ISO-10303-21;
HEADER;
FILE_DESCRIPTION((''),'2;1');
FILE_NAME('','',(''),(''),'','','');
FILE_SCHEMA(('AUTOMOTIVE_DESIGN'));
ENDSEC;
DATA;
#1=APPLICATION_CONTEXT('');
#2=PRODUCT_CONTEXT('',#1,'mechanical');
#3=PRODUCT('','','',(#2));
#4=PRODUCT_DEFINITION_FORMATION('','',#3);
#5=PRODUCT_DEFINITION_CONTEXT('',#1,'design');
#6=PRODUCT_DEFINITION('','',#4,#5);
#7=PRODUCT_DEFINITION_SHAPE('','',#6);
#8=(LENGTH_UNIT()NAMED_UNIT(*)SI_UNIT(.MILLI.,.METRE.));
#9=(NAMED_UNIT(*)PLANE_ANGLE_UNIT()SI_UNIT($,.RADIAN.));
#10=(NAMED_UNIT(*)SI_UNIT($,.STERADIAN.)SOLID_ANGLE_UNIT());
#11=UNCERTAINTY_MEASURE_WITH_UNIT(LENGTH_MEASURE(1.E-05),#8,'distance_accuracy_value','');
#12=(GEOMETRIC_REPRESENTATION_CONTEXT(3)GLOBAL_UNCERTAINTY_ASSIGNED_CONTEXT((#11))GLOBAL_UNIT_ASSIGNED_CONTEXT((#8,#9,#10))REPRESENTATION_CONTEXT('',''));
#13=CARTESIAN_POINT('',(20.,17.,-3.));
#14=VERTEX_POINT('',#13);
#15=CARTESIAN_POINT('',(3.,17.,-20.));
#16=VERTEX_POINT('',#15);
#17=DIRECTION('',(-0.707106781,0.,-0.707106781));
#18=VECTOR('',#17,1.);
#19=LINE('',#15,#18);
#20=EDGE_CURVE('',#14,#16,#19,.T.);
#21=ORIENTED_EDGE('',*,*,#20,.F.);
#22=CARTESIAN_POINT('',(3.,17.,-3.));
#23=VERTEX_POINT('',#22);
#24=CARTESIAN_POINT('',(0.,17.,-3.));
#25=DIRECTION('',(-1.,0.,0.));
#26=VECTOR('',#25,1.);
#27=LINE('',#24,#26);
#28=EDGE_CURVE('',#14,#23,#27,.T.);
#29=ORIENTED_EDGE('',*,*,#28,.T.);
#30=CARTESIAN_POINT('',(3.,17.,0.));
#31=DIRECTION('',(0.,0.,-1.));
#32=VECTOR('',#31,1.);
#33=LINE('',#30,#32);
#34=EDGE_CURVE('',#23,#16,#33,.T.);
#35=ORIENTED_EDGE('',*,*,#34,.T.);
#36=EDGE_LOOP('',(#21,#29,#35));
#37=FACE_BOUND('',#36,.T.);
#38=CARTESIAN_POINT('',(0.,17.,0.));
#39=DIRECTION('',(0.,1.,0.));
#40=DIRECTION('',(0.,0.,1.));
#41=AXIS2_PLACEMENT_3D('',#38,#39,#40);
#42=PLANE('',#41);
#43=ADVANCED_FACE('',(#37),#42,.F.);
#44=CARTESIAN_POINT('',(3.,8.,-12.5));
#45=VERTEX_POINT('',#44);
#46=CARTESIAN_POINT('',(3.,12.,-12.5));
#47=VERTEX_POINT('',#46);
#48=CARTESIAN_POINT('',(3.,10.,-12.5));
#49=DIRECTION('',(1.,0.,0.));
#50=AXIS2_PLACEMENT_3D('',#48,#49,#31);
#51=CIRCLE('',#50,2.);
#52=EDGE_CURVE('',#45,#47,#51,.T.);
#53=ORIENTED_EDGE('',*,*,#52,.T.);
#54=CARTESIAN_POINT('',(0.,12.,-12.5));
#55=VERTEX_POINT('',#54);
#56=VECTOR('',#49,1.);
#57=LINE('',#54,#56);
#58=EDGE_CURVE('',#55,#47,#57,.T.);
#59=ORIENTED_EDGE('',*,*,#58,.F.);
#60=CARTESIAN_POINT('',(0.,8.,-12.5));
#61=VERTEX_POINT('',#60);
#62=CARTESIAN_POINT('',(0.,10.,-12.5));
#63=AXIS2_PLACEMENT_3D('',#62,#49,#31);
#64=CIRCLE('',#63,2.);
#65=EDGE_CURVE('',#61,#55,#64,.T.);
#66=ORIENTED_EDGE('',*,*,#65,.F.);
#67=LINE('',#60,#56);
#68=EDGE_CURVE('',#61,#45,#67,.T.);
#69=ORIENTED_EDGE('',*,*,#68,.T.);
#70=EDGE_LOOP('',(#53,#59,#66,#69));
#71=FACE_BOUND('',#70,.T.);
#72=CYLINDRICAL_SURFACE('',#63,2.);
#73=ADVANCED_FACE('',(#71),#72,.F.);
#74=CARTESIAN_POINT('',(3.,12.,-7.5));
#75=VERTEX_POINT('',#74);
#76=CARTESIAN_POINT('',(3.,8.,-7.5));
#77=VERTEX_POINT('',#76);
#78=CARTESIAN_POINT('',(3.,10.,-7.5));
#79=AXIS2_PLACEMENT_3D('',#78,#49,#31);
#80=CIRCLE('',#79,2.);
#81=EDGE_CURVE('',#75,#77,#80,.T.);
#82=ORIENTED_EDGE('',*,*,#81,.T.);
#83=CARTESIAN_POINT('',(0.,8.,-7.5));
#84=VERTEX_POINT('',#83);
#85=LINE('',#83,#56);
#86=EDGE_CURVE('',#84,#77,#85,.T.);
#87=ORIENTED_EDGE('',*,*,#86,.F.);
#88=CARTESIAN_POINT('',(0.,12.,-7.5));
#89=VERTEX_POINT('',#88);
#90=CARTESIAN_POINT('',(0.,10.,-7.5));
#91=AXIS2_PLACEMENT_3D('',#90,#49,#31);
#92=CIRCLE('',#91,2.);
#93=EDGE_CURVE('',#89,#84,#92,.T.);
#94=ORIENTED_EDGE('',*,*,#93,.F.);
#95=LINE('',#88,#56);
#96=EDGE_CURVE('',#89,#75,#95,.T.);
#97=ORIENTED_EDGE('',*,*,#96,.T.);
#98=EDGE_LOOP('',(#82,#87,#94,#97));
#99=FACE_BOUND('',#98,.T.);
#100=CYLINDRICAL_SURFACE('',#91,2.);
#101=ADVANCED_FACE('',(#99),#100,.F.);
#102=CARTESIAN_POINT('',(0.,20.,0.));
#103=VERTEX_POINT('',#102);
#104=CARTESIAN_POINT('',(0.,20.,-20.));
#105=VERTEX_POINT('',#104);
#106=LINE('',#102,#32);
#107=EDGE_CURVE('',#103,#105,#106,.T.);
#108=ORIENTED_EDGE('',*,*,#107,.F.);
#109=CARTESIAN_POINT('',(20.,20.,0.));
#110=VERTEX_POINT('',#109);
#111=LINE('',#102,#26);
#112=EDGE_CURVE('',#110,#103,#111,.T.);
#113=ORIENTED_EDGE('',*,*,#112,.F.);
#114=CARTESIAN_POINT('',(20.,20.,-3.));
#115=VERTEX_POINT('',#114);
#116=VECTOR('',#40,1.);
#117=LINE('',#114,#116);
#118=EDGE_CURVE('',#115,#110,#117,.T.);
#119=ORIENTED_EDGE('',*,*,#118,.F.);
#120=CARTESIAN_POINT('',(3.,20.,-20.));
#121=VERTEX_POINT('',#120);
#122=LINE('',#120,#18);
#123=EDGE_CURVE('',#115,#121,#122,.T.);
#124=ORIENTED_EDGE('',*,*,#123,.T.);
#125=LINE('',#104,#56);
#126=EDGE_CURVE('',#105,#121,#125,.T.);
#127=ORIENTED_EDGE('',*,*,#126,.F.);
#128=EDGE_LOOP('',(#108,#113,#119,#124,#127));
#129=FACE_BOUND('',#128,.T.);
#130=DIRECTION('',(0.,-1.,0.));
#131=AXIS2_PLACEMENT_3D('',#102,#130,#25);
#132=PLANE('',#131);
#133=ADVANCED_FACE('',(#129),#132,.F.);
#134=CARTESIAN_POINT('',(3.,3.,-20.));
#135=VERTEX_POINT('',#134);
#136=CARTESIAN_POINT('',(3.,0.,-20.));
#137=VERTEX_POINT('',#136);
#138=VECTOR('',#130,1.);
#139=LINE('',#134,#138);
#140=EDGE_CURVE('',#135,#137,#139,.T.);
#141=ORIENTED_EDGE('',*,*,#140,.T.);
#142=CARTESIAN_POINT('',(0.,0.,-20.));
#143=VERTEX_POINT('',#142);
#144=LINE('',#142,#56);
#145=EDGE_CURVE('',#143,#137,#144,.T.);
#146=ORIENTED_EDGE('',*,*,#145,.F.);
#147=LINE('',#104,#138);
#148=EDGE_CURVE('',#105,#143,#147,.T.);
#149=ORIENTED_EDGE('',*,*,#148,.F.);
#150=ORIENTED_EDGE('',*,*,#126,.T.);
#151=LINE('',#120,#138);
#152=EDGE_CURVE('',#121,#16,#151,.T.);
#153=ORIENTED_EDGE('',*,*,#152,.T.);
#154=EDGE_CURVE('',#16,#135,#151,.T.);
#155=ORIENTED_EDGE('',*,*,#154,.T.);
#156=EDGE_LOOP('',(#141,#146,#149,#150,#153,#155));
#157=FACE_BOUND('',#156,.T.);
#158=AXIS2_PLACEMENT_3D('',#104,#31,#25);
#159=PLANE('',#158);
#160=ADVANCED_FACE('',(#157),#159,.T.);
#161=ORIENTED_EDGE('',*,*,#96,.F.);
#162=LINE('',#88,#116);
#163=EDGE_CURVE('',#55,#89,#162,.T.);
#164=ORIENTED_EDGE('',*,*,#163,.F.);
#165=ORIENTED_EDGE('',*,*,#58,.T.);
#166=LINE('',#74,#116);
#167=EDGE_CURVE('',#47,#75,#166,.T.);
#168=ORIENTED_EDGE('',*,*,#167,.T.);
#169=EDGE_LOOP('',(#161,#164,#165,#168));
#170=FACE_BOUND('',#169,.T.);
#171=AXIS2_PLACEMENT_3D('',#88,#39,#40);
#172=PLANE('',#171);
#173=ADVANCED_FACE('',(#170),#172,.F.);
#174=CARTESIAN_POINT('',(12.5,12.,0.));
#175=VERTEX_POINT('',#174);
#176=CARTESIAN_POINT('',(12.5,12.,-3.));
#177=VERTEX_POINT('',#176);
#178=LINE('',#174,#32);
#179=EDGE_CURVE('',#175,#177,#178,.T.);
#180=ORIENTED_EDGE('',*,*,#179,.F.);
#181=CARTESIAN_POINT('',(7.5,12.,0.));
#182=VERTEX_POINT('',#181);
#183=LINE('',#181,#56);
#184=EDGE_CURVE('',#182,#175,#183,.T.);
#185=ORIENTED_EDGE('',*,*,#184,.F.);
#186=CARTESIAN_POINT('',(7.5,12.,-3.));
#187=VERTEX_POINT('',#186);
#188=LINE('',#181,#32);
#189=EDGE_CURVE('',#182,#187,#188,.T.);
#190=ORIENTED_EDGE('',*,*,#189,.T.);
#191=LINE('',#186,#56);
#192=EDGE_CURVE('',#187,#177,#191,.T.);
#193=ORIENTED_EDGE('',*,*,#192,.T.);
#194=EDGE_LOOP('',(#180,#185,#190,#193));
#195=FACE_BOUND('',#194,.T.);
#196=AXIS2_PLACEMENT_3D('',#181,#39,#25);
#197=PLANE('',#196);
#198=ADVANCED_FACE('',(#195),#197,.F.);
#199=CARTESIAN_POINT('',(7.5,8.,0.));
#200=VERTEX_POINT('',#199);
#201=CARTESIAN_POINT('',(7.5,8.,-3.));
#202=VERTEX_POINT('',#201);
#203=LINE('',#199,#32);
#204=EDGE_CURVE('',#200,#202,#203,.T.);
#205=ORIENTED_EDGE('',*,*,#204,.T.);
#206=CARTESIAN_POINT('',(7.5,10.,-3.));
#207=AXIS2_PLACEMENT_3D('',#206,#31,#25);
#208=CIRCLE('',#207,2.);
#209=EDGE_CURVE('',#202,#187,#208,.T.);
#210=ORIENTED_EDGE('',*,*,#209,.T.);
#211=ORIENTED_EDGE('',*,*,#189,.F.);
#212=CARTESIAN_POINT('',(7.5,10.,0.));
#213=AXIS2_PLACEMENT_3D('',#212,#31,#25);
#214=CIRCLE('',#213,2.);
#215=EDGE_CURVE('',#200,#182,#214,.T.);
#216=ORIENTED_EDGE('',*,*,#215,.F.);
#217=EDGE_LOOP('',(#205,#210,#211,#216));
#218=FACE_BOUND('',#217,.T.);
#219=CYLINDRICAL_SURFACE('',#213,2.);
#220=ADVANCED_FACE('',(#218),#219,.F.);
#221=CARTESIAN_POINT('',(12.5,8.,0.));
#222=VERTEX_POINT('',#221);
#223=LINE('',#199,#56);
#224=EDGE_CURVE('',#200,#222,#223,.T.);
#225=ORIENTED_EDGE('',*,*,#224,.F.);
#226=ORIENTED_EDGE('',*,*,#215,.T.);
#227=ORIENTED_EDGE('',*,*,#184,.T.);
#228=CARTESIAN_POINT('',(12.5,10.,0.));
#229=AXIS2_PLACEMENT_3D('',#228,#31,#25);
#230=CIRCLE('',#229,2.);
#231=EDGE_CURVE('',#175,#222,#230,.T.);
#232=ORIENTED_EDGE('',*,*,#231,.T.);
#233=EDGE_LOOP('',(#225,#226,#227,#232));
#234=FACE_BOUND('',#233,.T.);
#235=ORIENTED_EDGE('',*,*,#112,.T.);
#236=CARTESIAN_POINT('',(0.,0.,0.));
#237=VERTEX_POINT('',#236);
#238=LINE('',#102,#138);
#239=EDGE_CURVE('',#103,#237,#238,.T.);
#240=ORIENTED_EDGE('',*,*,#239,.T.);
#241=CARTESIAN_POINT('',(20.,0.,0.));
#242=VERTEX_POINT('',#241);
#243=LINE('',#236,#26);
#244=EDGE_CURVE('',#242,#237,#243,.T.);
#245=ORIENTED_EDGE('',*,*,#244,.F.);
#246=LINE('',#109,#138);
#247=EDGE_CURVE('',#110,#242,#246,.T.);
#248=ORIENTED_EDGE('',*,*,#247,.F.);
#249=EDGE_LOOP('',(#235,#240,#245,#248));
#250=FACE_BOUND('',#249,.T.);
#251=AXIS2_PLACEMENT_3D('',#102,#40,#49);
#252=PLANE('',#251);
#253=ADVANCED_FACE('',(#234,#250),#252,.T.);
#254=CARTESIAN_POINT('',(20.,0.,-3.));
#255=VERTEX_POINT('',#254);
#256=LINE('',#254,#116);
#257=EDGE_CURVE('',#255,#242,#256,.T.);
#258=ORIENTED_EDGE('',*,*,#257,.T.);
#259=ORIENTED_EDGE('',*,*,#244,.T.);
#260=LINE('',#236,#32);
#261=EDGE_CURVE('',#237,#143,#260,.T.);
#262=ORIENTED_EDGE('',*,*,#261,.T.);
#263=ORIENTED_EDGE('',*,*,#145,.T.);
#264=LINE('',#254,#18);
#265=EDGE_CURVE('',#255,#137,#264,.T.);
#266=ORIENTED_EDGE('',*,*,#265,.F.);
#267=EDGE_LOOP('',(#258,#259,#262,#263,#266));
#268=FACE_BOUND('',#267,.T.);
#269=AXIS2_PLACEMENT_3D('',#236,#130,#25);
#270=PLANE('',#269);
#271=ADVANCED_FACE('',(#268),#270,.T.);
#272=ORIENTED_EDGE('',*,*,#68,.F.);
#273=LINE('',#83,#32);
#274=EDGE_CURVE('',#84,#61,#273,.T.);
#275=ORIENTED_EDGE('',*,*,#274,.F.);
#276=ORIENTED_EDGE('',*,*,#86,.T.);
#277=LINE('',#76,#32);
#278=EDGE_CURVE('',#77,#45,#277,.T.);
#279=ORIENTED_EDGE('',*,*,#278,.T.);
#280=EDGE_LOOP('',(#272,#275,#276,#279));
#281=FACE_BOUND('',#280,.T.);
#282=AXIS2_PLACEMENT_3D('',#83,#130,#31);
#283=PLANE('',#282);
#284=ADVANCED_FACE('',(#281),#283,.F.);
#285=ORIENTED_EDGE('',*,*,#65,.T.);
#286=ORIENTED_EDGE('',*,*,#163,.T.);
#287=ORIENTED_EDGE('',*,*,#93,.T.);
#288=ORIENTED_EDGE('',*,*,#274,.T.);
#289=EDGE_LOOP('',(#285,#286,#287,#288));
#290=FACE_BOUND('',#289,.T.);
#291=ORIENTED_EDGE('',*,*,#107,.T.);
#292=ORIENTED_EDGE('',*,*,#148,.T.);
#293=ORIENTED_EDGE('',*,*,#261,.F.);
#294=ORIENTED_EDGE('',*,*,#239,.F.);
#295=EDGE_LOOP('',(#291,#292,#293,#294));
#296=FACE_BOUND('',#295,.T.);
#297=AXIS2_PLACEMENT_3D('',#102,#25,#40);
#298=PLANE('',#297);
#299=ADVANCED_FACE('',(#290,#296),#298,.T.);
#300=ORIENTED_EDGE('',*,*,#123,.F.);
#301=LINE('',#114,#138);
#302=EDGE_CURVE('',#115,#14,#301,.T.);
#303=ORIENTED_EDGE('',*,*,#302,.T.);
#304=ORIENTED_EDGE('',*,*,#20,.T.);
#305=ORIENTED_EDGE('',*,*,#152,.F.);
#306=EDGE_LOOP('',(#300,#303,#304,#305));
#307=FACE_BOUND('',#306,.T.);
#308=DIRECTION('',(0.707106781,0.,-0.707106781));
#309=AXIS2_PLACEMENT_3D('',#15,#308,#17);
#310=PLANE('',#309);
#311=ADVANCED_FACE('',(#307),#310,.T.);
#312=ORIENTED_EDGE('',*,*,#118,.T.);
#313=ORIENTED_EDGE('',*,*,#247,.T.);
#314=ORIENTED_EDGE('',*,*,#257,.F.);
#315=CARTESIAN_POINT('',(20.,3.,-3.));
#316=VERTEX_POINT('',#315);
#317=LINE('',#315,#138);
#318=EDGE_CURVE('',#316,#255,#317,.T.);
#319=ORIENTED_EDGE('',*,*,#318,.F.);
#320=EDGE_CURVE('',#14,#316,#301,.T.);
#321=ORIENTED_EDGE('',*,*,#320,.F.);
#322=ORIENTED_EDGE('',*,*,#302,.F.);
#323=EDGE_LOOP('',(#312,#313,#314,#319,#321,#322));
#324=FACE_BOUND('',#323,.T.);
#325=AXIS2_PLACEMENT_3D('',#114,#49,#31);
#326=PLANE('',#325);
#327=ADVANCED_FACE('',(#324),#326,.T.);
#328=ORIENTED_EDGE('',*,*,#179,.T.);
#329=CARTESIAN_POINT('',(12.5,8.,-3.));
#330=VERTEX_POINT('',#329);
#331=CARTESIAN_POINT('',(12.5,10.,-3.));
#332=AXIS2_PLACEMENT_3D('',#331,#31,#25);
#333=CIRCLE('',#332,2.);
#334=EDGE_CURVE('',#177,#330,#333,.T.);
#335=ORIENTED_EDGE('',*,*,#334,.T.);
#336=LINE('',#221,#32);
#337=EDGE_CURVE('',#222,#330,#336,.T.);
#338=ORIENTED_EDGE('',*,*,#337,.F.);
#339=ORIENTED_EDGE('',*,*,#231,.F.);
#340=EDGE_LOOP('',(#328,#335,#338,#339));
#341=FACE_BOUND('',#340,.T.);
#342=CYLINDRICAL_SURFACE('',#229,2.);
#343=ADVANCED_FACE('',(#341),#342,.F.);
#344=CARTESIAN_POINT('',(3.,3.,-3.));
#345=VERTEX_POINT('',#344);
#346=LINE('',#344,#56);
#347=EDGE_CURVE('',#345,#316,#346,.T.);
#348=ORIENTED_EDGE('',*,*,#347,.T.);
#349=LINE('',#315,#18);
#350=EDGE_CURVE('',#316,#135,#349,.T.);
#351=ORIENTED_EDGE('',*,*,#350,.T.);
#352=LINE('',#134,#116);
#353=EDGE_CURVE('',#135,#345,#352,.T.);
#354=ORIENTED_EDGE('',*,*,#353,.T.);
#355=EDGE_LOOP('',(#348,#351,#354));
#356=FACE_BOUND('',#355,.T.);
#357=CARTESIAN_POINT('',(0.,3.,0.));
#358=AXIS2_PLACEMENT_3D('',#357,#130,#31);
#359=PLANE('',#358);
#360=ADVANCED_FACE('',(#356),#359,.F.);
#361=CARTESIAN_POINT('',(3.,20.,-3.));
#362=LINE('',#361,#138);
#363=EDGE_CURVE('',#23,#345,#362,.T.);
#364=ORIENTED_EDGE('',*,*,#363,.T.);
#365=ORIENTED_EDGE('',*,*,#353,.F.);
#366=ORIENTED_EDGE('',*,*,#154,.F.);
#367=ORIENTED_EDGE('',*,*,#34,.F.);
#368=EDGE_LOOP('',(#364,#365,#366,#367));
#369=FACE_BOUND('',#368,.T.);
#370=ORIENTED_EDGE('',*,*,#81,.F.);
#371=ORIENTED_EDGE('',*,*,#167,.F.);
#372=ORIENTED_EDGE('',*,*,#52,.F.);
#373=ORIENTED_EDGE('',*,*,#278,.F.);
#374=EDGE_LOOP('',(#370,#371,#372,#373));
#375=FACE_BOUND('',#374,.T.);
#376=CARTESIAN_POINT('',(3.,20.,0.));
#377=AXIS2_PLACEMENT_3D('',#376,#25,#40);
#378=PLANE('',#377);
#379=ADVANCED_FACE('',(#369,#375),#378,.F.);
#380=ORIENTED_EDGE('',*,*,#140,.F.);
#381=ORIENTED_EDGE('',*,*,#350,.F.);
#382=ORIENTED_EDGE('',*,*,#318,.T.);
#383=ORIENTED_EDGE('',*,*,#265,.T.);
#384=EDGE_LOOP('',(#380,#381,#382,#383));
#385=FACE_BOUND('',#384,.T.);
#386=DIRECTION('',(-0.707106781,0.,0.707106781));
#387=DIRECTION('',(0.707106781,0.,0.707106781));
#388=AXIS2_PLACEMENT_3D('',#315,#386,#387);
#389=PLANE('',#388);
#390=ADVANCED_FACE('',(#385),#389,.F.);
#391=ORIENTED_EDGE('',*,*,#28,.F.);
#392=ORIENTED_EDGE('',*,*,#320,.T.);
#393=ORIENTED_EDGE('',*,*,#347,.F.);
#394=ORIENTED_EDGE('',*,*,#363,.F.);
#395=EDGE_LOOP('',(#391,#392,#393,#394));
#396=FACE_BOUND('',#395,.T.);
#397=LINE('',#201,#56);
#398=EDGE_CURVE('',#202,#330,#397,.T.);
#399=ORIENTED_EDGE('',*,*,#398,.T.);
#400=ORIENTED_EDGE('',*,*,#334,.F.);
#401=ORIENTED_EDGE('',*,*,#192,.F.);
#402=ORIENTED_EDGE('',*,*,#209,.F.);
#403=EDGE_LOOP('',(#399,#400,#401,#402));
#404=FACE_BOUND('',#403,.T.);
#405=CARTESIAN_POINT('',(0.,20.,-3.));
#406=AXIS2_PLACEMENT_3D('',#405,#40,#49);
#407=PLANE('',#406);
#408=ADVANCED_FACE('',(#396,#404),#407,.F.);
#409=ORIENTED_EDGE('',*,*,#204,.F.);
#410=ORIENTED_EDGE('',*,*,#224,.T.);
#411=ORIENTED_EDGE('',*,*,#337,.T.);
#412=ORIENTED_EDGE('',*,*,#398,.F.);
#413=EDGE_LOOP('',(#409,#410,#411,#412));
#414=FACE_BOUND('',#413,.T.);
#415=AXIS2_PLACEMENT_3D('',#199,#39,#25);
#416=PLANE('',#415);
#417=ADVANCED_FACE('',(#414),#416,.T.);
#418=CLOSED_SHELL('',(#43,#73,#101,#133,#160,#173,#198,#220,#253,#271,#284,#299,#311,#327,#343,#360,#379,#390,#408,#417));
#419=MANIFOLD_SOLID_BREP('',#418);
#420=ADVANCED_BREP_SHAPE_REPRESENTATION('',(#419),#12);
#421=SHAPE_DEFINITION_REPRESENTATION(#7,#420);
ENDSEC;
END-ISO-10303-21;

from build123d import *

# Parameters (mm, degrees)
EXTRUDE_2_DEPTH     = 20
EXTRUDE_1_DEPTH     = 3
EXTRUDE_2_2_DEPTH   = 3
CUT_EXTRUDE_1_DEPTH = 34
CUT_EXTRUDE_2_DEPTH = 34


with BuildPart() as part:
    # 草图1 → Extrude 2 (new body)
    with BuildSketch(Plane(origin=(0, 0, 0), x_dir=(1, 0, 0), z_dir=(0, 1, 0))):
        Polygon((0, 20), (0, 0), (20, 0), (20, 3), (3, 3), (3, 20), align=None)
    extrude(amount=EXTRUDE_2_DEPTH)

    # 草图2 → 凸台-拉伸1 (add)
    with BuildSketch(Plane(origin=(0, 20, 0), x_dir=(1, 0, 0), z_dir=(0, 1, 0))):
        Polygon((3, 20), (20, 3), (20, 0), (0, 0), (0, 20), align=None)
    extrude(amount=-EXTRUDE_1_DEPTH)

    # 草图3 → Extrude 2 2 (add)
    with BuildSketch(Plane.XZ):
        Polygon((20, -3), (3, -20), (3, -3), align=None)
    extrude(amount=-EXTRUDE_2_2_DEPTH)

    # 草图5 → 切除-拉伸1 (cut, through all)
    with BuildSketch(Plane(origin=(0, 0, -3), x_dir=(-1, 0, 0), z_dir=(0, 0, -1))):
        with BuildLine():
            Line((-7.5, 8), (-12.5, 8))
            ThreePointArc((-12.5, 8), (-14.5, 10), (-12.5, 12))
            Line((-12.5, 12), (-7.5, 12))
            ThreePointArc((-7.5, 12), (-5.5, 10), (-7.5, 8))
        make_face()
    extrude(amount=-CUT_EXTRUDE_1_DEPTH, mode=Mode.SUBTRACT)

    # 草图6 → 切除-拉伸2 (cut, through all)
    with BuildSketch(Plane(origin=(3, 0, 0), x_dir=(0, 0, -1), z_dir=(1, 0, 0))):
        with BuildLine():
            Line((7.5, 12), (12.5, 12))
            ThreePointArc((12.5, 12), (14.5, 10), (12.5, 8))
            Line((12.5, 8), (7.5, 8))
            ThreePointArc((7.5, 8), (5.5, 10), (7.5, 12))
        make_face()
    extrude(amount=-CUT_EXTRUDE_2_DEPTH, mode=Mode.SUBTRACT)


solid = part.part
